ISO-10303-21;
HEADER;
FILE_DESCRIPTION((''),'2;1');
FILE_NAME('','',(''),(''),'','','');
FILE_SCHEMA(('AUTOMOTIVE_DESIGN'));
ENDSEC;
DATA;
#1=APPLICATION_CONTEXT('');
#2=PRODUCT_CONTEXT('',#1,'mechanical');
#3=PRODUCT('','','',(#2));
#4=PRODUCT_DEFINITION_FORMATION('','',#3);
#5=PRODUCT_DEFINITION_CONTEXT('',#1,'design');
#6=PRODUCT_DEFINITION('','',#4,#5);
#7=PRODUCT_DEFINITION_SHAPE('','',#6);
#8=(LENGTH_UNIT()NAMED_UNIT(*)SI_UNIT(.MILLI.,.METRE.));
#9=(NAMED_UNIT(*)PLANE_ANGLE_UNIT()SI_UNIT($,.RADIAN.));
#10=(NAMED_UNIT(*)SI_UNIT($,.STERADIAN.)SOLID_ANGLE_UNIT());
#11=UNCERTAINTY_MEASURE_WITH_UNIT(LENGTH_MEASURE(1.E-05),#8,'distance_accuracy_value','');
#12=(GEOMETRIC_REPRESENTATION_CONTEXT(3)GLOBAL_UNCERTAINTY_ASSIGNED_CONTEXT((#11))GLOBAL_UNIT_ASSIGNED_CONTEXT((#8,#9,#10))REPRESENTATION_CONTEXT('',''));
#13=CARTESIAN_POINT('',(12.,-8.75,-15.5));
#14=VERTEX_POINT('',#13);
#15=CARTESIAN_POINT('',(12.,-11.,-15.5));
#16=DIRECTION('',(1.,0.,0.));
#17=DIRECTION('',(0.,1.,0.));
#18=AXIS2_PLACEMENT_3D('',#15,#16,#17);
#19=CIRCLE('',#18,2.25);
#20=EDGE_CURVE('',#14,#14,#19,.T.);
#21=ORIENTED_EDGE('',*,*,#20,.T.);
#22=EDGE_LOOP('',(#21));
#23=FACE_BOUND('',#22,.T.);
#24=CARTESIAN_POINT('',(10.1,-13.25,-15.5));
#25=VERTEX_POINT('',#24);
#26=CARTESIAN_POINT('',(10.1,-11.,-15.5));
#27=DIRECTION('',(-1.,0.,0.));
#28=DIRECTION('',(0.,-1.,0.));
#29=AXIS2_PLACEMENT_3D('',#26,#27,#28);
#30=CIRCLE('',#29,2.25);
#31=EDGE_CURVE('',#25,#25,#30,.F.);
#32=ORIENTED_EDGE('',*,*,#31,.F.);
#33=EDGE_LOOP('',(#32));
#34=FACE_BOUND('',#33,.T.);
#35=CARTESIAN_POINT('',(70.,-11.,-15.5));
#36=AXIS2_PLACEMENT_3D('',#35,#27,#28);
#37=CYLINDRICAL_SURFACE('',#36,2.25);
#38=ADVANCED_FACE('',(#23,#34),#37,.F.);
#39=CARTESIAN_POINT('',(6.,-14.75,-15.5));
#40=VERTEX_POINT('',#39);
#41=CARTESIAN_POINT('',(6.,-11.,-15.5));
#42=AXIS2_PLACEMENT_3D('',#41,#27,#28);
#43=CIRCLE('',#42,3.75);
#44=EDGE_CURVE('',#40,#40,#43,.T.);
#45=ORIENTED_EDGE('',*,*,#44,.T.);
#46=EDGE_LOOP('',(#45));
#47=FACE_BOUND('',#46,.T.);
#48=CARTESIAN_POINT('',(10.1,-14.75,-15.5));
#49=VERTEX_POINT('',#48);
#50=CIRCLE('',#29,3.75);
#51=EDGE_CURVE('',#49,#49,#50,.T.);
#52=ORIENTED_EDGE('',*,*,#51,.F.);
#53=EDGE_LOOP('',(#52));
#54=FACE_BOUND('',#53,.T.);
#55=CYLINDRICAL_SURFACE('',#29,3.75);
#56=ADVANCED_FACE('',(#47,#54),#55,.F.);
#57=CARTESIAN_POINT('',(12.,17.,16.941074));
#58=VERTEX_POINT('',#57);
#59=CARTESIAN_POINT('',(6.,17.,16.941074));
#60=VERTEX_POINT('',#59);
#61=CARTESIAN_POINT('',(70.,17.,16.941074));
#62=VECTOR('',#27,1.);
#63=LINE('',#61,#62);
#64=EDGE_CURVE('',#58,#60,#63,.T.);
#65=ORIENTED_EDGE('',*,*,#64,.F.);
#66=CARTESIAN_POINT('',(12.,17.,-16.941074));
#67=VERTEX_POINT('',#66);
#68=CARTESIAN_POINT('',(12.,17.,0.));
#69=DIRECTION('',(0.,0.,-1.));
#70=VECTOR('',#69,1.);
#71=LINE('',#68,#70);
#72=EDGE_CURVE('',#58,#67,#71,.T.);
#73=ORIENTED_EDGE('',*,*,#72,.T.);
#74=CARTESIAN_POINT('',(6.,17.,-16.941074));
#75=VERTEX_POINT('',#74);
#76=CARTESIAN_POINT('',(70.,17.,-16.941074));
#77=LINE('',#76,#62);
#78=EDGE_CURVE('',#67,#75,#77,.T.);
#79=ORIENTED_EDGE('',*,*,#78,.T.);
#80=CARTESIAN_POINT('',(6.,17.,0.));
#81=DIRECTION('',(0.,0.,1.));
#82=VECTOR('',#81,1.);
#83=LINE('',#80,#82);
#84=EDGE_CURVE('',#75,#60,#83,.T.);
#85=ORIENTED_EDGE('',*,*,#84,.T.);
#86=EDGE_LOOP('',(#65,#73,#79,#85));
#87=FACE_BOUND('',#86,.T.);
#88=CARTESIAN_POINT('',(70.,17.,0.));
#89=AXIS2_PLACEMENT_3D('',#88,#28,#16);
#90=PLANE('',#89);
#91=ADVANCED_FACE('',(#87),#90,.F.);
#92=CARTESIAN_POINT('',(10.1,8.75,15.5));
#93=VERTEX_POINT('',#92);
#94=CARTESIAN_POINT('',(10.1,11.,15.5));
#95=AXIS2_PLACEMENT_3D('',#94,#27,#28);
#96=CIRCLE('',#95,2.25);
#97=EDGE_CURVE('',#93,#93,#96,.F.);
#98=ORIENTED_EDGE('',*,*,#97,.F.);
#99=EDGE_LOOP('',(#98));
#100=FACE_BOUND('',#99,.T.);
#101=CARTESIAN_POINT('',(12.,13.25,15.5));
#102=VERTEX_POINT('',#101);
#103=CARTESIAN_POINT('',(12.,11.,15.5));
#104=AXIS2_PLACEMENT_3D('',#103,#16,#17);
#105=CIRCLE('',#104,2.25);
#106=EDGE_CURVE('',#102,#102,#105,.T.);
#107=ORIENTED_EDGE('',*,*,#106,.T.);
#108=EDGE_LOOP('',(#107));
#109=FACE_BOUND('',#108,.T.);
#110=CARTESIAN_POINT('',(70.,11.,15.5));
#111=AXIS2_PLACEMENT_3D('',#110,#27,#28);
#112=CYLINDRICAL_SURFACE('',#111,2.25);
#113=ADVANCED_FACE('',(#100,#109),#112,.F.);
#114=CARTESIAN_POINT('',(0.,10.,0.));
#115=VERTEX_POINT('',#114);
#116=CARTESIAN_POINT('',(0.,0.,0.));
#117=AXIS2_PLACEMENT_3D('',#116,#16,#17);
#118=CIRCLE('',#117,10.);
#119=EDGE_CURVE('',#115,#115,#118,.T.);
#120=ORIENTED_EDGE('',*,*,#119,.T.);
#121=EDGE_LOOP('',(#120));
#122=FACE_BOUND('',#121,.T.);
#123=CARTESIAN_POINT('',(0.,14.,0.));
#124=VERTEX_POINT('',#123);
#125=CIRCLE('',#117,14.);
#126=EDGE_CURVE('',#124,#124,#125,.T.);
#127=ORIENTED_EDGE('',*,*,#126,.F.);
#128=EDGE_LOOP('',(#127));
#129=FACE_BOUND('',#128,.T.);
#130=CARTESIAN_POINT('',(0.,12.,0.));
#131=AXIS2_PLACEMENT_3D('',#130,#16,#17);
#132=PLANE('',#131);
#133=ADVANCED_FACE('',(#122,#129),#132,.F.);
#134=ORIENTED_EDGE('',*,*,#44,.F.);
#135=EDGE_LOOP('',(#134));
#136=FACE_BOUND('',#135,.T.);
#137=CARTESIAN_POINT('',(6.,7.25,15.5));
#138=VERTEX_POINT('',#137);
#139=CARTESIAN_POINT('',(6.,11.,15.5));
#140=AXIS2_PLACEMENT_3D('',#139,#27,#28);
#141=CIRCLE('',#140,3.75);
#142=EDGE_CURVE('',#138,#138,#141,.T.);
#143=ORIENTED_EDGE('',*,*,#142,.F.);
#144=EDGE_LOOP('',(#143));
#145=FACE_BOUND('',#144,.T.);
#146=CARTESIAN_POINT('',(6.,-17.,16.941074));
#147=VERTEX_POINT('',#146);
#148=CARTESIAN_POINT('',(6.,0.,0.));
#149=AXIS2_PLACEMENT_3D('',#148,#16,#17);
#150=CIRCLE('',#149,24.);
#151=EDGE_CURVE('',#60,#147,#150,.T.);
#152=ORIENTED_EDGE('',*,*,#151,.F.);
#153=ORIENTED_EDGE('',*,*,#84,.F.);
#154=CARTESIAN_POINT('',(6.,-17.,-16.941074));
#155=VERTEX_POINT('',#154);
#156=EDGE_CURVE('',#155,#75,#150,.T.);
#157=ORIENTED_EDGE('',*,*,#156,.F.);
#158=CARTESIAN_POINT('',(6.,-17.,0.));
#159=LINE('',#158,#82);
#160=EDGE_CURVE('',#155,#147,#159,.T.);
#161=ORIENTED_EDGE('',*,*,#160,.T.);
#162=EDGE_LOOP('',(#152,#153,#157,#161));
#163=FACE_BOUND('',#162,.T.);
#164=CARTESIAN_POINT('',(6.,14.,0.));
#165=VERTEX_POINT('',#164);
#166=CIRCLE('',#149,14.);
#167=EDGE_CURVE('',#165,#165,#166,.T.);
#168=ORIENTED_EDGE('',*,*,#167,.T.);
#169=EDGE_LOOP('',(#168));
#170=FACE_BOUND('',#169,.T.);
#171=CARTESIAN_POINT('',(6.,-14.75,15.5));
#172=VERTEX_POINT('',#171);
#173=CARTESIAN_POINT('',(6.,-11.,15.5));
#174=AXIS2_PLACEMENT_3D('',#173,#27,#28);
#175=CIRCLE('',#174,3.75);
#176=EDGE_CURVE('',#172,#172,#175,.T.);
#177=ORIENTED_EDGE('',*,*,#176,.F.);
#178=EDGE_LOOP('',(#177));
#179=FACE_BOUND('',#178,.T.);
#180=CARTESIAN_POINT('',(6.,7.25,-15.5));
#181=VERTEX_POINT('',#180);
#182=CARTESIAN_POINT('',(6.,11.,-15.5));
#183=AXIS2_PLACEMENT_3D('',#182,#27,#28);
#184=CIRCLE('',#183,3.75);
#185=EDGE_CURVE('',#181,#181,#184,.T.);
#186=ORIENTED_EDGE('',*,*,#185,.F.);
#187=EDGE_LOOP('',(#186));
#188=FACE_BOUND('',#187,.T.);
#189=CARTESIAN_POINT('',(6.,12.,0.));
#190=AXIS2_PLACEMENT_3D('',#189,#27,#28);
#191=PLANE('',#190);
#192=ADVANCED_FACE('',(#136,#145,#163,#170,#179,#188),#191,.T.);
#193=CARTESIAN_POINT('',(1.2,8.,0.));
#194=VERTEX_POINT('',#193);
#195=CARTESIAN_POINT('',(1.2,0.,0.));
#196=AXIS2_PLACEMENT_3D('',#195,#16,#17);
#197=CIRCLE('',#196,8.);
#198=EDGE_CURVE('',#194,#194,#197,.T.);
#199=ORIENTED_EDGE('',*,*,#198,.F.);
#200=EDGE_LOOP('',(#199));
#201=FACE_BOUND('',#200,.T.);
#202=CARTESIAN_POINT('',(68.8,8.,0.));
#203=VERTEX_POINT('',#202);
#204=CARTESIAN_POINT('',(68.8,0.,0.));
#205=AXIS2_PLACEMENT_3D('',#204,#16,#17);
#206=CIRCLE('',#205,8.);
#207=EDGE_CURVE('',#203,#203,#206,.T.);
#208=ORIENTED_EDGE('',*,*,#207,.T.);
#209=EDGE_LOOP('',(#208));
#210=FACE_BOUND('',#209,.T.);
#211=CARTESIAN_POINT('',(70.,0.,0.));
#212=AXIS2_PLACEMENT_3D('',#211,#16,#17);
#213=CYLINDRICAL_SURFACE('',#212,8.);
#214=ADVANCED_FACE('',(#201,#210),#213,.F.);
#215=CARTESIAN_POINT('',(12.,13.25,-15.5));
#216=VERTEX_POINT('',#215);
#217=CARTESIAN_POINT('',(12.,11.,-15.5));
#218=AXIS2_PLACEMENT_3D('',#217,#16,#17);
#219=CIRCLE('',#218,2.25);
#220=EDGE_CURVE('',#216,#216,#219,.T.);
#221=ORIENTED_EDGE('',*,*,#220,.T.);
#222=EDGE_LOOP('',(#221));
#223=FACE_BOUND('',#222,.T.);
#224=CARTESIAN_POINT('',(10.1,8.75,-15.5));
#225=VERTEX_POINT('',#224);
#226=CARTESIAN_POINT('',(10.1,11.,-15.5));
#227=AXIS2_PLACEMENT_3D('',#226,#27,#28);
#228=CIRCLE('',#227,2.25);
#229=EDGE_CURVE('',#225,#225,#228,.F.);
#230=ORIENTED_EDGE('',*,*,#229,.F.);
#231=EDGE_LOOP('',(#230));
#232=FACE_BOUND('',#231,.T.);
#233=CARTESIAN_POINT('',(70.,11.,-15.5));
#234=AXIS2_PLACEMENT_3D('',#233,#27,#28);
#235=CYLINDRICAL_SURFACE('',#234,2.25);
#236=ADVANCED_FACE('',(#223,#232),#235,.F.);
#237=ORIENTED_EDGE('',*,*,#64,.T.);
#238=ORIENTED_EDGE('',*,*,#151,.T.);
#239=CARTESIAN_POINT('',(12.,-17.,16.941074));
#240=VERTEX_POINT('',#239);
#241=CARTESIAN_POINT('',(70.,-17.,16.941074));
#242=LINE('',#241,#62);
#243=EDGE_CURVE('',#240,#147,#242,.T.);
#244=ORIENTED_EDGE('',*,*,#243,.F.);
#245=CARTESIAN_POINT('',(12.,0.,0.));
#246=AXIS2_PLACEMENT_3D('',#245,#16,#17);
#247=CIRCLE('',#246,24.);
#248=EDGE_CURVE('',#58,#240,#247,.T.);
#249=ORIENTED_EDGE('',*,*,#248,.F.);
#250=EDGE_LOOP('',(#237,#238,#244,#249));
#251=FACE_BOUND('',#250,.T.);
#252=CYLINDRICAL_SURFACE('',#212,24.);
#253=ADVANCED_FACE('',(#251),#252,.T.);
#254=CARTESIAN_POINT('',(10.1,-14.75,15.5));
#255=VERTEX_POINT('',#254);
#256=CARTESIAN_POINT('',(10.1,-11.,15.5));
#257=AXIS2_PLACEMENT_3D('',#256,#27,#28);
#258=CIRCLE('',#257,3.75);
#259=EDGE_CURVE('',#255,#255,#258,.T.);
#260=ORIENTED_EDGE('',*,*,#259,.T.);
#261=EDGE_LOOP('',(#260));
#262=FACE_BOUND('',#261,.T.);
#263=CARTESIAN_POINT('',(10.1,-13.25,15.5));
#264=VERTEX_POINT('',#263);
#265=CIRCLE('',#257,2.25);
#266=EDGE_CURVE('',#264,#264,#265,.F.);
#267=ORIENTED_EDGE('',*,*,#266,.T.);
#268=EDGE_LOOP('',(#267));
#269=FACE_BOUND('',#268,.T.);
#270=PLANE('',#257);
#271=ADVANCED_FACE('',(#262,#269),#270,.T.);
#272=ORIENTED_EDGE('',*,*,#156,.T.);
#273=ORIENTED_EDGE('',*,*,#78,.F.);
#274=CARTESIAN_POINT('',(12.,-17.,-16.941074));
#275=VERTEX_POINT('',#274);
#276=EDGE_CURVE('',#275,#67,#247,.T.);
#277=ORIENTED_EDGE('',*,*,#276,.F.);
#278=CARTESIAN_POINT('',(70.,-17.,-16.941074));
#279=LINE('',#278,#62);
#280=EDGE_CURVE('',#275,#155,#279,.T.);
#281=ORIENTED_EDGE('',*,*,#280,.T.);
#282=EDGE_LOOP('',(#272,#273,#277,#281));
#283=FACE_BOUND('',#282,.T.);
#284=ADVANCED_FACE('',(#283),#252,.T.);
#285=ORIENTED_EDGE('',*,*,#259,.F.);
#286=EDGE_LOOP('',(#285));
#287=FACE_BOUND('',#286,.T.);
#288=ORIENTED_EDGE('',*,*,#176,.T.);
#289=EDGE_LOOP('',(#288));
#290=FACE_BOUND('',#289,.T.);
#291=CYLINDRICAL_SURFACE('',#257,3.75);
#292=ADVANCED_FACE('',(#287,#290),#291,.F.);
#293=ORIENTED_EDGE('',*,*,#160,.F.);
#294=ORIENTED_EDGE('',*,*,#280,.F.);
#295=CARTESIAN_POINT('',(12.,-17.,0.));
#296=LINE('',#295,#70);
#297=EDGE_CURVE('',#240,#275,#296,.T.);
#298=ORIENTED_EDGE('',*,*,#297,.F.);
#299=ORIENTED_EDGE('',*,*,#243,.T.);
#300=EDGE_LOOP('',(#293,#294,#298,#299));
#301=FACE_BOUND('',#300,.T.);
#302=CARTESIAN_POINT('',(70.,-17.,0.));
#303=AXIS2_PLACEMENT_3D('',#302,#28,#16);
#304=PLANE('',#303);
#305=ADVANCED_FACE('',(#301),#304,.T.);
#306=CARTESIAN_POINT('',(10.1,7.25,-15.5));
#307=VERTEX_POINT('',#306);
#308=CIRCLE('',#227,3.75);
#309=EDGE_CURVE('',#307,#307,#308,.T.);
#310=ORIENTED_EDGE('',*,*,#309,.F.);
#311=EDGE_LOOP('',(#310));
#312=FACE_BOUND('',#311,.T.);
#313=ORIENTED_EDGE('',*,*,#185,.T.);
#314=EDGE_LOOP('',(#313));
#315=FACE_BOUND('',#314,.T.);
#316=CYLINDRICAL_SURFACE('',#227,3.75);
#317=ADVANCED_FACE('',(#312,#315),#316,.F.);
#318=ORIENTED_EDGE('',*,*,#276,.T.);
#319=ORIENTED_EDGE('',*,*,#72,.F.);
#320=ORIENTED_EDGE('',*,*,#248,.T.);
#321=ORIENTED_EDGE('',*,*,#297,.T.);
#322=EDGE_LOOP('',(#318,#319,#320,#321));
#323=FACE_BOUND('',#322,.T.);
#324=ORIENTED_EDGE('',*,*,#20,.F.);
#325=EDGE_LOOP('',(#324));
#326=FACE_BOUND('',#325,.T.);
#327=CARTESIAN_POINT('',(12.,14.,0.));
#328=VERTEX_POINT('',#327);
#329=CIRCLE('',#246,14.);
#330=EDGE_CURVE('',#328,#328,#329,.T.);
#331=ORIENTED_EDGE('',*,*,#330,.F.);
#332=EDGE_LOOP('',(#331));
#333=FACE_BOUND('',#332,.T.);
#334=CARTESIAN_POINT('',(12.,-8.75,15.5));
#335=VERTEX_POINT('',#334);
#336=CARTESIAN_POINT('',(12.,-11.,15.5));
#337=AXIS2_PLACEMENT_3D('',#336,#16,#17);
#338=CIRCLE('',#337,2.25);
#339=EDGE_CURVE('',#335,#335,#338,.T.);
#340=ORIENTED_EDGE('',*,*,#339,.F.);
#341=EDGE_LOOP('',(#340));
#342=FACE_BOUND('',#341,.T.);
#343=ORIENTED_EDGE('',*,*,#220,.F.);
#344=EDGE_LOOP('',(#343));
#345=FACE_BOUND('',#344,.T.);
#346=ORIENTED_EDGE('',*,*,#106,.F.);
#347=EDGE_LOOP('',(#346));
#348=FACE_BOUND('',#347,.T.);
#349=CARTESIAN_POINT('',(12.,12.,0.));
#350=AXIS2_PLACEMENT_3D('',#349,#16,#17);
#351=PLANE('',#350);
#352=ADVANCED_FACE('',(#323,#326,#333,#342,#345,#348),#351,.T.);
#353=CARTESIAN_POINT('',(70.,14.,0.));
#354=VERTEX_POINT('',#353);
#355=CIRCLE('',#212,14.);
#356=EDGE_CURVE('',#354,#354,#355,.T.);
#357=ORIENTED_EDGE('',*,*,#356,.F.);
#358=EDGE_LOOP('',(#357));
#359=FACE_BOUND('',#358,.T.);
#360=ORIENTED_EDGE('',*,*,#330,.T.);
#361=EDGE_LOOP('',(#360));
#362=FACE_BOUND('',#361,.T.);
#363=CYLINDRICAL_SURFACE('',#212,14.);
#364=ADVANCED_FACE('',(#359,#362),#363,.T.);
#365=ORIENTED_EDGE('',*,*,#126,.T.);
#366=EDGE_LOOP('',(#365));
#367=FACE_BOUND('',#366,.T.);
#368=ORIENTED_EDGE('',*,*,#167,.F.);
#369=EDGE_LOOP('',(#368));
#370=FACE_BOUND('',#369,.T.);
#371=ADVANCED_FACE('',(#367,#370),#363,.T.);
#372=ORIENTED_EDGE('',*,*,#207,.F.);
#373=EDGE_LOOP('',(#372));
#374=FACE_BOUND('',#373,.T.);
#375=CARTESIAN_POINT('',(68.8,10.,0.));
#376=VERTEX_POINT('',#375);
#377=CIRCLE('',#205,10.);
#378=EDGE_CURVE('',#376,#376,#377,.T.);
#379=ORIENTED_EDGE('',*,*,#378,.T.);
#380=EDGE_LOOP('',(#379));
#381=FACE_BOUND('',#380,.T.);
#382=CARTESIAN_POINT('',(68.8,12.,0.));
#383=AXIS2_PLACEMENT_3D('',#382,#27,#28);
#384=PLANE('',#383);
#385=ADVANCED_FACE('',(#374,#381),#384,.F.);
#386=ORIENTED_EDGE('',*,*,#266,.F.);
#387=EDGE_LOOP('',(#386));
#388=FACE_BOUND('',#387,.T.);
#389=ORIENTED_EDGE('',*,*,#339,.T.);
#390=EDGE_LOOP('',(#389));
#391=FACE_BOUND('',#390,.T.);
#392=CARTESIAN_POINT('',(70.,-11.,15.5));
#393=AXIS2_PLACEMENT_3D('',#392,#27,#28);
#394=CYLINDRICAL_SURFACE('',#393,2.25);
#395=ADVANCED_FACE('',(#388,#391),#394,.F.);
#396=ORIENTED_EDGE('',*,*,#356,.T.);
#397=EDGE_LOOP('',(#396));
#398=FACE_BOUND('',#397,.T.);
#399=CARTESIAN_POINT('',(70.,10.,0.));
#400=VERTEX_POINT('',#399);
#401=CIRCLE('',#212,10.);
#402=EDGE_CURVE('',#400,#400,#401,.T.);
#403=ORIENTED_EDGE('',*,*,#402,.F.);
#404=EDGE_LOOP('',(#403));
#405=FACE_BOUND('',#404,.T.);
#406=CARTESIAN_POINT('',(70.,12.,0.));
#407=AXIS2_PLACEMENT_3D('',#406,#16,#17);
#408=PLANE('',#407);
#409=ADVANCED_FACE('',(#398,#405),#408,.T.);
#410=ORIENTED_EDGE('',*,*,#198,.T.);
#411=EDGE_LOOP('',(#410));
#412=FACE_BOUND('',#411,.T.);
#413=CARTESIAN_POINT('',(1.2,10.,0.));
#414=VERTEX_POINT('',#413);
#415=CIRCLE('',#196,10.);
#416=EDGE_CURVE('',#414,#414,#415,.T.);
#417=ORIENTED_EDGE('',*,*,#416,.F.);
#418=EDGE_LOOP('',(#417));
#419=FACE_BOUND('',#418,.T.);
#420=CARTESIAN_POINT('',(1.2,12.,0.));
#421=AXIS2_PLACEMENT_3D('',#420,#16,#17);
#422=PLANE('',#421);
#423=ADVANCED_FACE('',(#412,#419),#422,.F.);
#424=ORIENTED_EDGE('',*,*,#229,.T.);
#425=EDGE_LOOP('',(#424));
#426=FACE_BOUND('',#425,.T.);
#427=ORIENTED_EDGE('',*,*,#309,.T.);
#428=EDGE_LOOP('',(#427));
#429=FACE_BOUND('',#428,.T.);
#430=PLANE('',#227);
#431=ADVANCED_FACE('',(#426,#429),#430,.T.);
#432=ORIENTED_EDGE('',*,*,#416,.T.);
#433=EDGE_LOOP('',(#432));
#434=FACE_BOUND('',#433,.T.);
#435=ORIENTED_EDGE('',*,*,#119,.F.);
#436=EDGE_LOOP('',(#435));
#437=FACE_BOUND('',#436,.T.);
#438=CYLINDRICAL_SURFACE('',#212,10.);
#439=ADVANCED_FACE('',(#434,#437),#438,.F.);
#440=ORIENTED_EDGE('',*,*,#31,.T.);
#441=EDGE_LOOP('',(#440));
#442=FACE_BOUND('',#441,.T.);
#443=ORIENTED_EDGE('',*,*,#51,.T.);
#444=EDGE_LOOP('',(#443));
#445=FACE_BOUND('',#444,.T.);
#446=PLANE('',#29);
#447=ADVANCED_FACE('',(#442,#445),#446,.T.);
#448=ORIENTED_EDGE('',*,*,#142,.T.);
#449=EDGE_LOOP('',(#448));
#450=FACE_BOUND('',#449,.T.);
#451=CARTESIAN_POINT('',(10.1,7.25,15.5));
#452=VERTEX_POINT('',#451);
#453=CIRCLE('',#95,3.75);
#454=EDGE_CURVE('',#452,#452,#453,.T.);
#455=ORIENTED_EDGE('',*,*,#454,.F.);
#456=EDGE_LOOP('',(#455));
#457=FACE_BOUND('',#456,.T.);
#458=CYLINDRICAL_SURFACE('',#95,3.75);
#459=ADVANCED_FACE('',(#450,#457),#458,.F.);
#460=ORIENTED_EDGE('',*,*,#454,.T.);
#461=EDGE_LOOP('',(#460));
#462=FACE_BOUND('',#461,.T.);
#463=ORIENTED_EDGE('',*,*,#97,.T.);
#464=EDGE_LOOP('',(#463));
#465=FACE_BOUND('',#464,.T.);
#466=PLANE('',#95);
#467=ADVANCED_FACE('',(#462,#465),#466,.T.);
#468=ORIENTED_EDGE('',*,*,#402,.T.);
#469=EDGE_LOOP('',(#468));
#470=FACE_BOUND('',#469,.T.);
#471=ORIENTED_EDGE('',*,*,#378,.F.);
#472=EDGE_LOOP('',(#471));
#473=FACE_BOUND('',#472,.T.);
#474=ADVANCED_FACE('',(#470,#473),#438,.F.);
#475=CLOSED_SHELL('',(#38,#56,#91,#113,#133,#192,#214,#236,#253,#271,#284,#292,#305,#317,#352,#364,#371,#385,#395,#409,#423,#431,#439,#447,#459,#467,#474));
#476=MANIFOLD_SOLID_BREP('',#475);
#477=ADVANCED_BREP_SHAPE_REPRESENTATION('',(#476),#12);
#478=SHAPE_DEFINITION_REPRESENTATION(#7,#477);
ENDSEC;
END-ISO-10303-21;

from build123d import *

# Parameters (mm, degrees)
SKETCH_4_R          = 2.25
CUT_EXTRUDE_1_DEPTH = 73.443081105
SKETCH_5_R          = 3.75
CUT_EXTRUDE_4_DEPTH = 4.1
CUT_EXTRUDE_3_DEPTH = 73.443081105


with BuildPart() as part:
    # 草图1 → 旋转1 (revolve)
    with BuildSketch(Plane.XY):
        Polygon((12, 24), (6, 24), (6, 14), (0, 14), (0, 10), (1.2, 10), (1.2, 8), (68.8, 8), (68.8, 10), (70, 10), (70, 14), (12, 14), align=None)
    revolve(axis=Axis((70, 0, 0), (-1, 0, 0)))

    # 草图4 → 切除-拉伸1 (cut, through all)
    with BuildSketch(Plane.ZY.offset(-6)):
        with Locations((15.5, 11)):
            Circle(SKETCH_4_R)
        with Locations((-15.5, -11)):
            Circle(SKETCH_4_R)
        with Locations((-15.5, 11)):
            Circle(SKETCH_4_R)
        with Locations((15.5, -11)):
            Circle(SKETCH_4_R)
    extrude(amount=-CUT_EXTRUDE_1_DEPTH, mode=Mode.SUBTRACT)

    # 草图5 → 切除-拉伸4 (cut)
    with BuildSketch(Plane.ZY.offset(-6)):
        with Locations((15.5, 11)):
            Circle(SKETCH_5_R)
        with Locations((-15.5, 11)):
            Circle(SKETCH_5_R)
        with Locations((-15.5, -11)):
            Circle(SKETCH_5_R)
        with Locations((15.5, -11)):
            Circle(SKETCH_5_R)
    extrude(amount=-CUT_EXTRUDE_4_DEPTH, mode=Mode.SUBTRACT)

    # 草图7 → 切除-拉伸3 (cut, through all)
    with BuildSketch(Plane.ZY.offset(-6)):
        with BuildLine():
            ThreePointArc((16.941074346, 17), (0, 24), (-16.941074346, 17))
            Line((-16.941074346, 17), (16.941074346, 17))
        make_face()
        with BuildLine():
            Line((16.941074346, -17), (-16.941074346, -17))
            ThreePointArc((-16.941074346, -17), (0, -24), (16.941074346, -17))
        make_face()
    extrude(amount=-CUT_EXTRUDE_3_DEPTH, mode=Mode.SUBTRACT)


solid = part.part
